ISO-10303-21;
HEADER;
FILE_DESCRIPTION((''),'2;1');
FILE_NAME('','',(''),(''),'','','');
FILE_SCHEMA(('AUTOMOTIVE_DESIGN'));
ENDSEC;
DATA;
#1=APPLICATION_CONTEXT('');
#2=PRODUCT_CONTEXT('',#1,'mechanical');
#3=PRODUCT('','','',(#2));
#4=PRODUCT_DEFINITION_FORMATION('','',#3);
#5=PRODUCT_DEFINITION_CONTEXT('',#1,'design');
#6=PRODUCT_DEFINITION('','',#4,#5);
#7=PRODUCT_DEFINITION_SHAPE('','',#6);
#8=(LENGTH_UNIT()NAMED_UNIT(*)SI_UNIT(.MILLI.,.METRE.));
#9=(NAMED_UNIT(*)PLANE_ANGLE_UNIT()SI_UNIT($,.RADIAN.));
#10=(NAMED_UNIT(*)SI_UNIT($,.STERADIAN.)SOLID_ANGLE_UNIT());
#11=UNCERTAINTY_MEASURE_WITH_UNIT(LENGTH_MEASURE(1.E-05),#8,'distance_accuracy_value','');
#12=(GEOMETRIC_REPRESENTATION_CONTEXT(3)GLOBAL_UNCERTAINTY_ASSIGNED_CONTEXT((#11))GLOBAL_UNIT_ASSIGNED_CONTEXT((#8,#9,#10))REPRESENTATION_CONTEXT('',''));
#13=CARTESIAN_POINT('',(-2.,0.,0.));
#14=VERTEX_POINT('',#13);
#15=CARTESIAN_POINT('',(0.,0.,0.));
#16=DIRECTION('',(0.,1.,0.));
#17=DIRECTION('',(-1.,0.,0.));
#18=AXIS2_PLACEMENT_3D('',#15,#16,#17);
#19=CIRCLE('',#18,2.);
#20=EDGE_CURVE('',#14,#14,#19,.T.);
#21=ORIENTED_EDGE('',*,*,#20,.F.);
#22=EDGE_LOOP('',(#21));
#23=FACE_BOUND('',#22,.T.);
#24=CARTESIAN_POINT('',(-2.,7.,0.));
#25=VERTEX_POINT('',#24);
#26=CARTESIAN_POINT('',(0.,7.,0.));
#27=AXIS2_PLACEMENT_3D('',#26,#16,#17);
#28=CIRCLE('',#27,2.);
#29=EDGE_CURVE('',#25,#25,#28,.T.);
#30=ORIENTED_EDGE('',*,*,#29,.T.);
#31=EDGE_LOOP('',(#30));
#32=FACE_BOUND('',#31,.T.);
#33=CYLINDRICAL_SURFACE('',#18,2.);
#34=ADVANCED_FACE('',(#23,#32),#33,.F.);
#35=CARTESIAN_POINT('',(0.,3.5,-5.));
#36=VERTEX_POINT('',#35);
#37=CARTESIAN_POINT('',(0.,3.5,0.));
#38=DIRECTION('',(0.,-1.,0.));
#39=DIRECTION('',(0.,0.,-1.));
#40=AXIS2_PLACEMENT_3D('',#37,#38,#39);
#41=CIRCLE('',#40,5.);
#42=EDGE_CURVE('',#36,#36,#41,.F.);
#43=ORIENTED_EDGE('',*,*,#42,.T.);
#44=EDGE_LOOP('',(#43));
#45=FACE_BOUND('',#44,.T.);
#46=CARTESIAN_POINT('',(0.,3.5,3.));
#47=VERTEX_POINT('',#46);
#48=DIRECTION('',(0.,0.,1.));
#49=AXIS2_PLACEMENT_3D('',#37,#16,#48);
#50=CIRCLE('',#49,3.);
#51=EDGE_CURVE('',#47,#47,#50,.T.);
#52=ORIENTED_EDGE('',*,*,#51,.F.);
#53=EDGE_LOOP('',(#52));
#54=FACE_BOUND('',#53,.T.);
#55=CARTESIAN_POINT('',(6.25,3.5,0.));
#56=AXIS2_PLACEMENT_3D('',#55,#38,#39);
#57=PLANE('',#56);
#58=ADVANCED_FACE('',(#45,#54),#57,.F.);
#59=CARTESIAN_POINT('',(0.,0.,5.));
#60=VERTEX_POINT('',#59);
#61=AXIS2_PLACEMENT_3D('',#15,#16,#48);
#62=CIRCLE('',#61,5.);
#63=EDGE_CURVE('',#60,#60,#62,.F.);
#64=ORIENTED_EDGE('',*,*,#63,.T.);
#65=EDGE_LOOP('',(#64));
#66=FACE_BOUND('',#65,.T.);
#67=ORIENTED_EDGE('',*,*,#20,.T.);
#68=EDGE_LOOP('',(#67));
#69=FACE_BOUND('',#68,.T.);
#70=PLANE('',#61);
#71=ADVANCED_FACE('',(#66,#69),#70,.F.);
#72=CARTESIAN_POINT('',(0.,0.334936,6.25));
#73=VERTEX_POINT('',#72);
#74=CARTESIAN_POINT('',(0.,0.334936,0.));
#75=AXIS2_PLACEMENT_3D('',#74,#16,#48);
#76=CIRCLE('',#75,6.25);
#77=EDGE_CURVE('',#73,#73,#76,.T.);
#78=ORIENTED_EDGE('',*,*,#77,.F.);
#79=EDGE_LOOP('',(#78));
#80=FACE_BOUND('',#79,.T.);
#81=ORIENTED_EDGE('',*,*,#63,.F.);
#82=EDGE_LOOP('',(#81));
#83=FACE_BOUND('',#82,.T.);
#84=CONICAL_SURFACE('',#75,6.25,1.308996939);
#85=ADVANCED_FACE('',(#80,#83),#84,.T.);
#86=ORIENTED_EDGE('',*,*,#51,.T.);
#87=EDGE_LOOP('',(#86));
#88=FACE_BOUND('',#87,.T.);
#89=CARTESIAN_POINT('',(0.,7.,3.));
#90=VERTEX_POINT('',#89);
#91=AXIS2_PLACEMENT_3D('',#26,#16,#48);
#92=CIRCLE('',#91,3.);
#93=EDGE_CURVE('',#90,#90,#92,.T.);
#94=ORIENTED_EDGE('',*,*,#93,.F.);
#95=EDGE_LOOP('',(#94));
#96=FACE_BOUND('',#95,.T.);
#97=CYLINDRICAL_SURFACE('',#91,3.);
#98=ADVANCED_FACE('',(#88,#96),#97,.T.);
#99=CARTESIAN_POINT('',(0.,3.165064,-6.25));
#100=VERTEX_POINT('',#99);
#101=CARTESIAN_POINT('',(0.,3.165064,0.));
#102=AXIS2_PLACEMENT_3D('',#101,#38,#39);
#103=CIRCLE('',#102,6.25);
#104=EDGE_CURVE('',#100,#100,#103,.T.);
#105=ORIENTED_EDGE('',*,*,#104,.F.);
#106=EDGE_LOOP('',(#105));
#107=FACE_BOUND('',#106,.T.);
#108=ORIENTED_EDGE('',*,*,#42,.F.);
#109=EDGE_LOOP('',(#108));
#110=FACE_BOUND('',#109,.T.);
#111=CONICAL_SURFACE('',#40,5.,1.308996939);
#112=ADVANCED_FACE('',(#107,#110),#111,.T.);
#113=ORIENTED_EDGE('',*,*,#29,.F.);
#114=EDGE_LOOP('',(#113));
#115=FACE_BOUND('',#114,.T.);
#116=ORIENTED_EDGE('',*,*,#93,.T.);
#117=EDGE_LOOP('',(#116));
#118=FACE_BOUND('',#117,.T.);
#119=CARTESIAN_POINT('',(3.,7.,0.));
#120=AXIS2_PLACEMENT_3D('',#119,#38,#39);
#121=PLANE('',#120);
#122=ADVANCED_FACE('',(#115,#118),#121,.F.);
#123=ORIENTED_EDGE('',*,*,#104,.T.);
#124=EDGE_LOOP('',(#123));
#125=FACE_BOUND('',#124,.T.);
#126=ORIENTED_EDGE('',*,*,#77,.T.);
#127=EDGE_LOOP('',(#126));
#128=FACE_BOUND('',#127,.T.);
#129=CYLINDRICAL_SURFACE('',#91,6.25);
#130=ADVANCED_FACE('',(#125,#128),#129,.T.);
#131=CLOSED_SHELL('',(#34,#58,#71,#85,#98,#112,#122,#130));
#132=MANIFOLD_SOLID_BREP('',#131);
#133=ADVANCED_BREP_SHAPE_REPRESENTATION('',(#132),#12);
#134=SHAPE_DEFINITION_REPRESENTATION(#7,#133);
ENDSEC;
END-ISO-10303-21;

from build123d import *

# Parameters (mm, degrees)
CHAMFER_2_SIZE           = 1.25
CHAMFER_2_SIZE2          = 0.334936491
CHAMFER_3_SIZE           = 1.25
CHAMFER_3_SIZE2          = 0.334936491
SKETCH_4_R               = 2
CUT_EXTRUDE_2_DEPTH      = 1
CUT_EXTRUDE_2_DEPTH_BACK = 8


with BuildPart() as part:
    # Эскиз2 → Повернуть2 (revolve)
    with BuildSketch(Plane.XY):
        Polygon((0, 0), (6.25, 0), (6.25, 3.5), (3, 3.5), (3, 7), (0, 7), align=None)
    revolve(axis=Axis((0, 7, 0), (0, -1, 0)))

    # Фаска2
    chamfer_2_edges = [part.edges().sort_by_distance(p)[0] for p in [
        (-6.25, 3.5, 0),
    ]]
    chamfer_2_side = [part.faces().sort_by_distance(p)[0] for p in [
        (-6.073223305, 3.5, 0),
    ]]
    chamfer(chamfer_2_edges, length=CHAMFER_2_SIZE, length2=CHAMFER_2_SIZE2, reference=chamfer_2_side[0])

    # Фаска3
    chamfer_3_edges = [part.edges().sort_by_distance(p)[0] for p in [
        (-6.25, 0, 0),
    ]]
    chamfer_3_side = [part.faces().sort_by_distance(p)[0] for p in [
        (0, 0, 0),
    ]]
    chamfer(chamfer_3_edges, length=CHAMFER_3_SIZE, length2=CHAMFER_3_SIZE2, reference=chamfer_3_side[0])

    # Эскиз4 → Вырез-Вытянуть2 (cut, two sides)
    with BuildSketch(Plane(origin=(0, 7, 0), x_dir=(1, 0, 0), z_dir=(0, 1, 0))) as cut_extrude_2_sk:
        Circle(SKETCH_4_R)
    extrude(amount=CUT_EXTRUDE_2_DEPTH, mode=Mode.SUBTRACT)
    extrude(cut_extrude_2_sk.sketch, amount=-CUT_EXTRUDE_2_DEPTH_BACK, mode=Mode.SUBTRACT)


solid = part.part
